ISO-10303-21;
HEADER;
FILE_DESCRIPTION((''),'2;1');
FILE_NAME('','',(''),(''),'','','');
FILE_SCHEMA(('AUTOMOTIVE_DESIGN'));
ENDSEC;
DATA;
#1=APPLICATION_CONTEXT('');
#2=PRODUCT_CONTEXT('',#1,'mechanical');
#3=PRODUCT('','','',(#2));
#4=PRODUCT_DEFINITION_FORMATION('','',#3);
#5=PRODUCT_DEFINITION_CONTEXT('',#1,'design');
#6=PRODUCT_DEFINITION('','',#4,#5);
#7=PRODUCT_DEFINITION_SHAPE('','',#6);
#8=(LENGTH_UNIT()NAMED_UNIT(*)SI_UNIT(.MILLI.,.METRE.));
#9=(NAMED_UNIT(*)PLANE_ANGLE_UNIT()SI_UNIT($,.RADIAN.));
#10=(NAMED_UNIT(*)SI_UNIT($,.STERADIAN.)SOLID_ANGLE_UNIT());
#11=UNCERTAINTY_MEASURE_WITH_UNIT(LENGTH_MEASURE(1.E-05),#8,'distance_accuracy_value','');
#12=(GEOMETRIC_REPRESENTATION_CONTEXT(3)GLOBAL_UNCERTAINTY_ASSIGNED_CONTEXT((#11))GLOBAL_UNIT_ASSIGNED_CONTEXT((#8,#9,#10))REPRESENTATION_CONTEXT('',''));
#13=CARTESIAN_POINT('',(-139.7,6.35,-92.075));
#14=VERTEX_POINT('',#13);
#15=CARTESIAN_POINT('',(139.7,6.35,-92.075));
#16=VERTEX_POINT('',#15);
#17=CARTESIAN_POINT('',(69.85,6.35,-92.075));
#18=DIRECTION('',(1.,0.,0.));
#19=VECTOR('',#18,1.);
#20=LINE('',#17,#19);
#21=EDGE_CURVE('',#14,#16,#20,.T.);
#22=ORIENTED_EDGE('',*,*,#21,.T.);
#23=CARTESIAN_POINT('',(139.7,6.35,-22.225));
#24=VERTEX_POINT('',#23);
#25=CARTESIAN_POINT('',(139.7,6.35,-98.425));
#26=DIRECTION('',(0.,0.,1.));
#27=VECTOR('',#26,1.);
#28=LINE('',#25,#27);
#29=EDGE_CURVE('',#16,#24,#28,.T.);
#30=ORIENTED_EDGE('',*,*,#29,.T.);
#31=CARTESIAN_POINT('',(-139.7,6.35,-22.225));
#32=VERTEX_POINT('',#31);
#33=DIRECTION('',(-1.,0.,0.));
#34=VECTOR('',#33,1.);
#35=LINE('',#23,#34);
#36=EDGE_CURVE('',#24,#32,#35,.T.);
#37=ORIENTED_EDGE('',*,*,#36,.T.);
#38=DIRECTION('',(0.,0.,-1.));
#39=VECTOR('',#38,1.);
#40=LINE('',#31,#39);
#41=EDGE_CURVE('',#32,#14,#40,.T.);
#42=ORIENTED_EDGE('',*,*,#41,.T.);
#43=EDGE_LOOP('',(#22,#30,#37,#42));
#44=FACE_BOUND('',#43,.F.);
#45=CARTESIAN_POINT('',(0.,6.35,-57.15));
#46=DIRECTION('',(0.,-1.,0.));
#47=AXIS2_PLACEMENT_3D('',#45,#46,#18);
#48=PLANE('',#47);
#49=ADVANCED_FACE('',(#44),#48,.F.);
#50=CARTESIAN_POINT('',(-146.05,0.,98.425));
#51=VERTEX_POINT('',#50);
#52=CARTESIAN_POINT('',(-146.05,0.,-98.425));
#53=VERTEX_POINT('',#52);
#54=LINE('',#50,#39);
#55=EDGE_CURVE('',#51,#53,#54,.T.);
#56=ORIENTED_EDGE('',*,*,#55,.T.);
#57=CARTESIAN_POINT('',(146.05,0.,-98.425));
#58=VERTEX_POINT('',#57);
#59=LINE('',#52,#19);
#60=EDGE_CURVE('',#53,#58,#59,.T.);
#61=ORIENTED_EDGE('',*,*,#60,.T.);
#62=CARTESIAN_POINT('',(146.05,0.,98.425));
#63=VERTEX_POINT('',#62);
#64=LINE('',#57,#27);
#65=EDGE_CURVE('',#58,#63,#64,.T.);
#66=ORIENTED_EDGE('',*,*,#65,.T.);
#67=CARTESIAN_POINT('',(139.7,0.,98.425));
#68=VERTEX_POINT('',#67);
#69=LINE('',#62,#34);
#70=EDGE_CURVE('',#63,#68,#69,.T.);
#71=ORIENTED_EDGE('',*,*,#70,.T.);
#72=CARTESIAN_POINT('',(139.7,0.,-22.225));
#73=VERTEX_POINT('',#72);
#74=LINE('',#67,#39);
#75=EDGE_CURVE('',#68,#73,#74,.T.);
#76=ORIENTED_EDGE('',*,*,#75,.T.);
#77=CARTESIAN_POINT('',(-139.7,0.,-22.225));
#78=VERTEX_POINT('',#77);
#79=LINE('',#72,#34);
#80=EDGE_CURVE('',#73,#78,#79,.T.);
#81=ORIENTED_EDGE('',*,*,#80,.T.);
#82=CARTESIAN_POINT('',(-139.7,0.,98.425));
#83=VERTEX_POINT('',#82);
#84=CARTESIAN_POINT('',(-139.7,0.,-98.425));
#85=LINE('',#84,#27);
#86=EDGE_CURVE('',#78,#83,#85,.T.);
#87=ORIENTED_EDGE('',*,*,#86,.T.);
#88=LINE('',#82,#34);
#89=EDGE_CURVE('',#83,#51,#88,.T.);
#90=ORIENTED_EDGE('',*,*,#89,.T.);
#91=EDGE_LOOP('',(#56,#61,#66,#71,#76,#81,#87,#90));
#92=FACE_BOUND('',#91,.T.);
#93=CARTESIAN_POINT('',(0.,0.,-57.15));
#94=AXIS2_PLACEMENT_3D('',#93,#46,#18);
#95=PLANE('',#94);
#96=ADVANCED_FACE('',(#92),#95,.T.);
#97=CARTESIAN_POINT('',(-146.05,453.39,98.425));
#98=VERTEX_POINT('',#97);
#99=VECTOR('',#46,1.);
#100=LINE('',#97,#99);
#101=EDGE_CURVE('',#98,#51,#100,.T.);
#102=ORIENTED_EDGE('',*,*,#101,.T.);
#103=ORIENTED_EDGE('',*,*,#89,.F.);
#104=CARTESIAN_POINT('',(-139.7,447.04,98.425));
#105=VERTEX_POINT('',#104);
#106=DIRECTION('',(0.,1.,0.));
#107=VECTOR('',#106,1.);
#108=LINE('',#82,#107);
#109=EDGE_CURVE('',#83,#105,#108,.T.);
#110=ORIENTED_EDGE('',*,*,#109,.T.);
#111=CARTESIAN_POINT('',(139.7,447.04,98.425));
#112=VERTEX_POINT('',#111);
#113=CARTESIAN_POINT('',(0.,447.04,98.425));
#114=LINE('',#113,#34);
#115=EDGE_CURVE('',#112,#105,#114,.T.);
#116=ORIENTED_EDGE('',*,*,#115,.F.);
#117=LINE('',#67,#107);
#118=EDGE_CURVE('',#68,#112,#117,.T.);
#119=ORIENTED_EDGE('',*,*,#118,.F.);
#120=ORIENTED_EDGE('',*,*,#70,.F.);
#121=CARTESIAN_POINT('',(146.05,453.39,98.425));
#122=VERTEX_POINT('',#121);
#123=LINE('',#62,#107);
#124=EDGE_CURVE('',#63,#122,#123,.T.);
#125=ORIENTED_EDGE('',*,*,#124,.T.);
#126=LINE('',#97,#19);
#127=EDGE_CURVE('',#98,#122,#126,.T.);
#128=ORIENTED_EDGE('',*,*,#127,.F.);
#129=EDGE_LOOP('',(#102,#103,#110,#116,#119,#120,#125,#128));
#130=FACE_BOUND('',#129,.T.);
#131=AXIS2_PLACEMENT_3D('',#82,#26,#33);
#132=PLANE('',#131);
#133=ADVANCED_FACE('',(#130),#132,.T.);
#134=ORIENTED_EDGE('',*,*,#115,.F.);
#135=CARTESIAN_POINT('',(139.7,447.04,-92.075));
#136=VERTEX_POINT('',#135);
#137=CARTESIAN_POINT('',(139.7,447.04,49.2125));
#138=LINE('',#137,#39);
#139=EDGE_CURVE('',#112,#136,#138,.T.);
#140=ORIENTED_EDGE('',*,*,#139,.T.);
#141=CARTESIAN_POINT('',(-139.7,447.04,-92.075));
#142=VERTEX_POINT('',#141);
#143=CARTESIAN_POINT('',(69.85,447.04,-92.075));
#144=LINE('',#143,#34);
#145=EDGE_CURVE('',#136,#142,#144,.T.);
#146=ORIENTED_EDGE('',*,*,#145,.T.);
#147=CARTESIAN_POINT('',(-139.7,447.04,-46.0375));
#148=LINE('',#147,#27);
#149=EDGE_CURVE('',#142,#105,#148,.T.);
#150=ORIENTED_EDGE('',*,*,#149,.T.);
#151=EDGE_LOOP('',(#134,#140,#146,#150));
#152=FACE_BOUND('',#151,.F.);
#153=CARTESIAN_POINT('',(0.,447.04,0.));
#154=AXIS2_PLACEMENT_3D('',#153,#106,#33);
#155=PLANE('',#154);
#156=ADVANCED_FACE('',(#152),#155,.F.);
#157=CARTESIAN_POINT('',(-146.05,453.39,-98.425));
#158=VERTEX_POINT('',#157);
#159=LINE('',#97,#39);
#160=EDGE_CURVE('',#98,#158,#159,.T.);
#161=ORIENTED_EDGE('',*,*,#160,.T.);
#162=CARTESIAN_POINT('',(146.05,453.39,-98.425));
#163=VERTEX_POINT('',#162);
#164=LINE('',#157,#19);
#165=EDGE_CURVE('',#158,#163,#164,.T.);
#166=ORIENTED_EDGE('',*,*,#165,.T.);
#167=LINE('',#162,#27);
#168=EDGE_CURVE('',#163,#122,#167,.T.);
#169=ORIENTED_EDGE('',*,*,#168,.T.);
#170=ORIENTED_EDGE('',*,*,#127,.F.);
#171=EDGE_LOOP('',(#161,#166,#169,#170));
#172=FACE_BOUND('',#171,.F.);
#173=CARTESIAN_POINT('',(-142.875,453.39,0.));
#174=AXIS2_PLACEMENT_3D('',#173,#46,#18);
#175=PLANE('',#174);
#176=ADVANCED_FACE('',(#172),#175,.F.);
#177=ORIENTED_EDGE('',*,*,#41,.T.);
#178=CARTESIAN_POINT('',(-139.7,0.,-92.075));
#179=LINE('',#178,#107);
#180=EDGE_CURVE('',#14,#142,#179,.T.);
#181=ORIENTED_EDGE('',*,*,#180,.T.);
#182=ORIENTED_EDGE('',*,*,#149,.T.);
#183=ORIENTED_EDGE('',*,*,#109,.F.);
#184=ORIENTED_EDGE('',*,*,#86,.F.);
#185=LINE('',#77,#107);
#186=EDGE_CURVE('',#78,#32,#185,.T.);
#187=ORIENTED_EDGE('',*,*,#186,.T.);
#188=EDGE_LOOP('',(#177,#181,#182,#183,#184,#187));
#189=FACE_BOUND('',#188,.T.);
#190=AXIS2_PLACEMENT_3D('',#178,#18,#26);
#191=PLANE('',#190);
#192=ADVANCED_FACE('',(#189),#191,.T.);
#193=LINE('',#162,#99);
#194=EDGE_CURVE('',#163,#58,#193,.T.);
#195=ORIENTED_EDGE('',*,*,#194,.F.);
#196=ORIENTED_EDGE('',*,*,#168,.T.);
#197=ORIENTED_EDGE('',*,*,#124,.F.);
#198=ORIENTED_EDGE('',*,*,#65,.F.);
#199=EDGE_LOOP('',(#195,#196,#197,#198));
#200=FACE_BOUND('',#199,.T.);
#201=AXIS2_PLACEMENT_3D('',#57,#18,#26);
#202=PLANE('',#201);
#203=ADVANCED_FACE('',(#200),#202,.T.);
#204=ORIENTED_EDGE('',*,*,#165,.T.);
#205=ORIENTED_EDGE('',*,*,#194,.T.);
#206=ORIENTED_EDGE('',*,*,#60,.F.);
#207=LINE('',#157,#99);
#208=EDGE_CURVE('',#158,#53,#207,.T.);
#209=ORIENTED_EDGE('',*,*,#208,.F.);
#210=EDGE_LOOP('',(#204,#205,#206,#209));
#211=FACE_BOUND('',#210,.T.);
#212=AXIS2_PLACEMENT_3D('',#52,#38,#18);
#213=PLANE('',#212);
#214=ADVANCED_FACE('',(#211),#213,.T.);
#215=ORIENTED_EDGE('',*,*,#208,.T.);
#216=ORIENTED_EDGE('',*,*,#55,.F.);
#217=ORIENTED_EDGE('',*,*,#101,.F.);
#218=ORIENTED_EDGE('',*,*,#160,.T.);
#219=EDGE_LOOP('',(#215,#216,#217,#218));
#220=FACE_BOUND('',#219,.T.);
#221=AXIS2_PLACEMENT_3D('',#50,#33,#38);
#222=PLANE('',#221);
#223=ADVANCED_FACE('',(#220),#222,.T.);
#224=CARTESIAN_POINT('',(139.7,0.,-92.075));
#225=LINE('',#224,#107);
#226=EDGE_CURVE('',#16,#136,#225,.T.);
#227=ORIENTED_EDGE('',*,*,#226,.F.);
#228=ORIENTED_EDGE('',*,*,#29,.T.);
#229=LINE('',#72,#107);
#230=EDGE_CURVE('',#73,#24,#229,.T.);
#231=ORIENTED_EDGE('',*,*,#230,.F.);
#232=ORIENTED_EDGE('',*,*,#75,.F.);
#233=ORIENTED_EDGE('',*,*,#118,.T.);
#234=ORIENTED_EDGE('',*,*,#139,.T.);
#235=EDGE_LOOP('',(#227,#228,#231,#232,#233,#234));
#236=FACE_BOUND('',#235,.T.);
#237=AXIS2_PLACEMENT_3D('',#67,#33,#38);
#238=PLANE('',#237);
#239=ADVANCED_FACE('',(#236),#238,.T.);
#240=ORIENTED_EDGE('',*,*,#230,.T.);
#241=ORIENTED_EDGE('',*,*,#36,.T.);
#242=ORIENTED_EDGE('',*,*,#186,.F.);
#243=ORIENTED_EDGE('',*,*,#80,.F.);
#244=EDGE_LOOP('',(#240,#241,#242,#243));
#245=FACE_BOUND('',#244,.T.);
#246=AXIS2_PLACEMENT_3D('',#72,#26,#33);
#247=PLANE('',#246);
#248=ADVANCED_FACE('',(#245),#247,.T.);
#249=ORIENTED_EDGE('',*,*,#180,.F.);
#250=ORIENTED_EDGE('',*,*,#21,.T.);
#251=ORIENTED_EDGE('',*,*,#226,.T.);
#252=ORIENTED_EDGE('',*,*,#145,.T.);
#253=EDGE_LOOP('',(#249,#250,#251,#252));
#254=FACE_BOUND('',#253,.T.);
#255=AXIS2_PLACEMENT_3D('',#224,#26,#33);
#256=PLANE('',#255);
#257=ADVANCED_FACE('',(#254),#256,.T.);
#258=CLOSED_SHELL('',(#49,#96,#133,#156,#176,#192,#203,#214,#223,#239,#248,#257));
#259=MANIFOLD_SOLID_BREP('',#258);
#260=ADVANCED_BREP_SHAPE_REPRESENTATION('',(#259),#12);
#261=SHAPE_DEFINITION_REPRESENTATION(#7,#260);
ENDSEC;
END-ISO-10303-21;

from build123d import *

# Parameters (mm, degrees)
F0_W     = 50.8
F0_H     = 6.35
F0_W_2   = 177.8
F1_DEPTH = 453.39
F2_DEPTH = 6.35
F3_W     = 292.1
F3_H     = 196.85
F4_DEPTH = 6.35


with BuildPart() as f1:
    # F0 (on Front) → F1 (new body)
    with BuildSketch(Plane.XZ):
        Polygon((-139.7, -92.075), (-139.7, -22.225), (-139.7, 98.425), (-146.05, 98.425), (-146.05, -98.425), (-139.7, -98.425), align=None)
        with Locations((-114.3, -95.25)):
            Rectangle(F0_W, F0_H)
        with Locations((114.3, -95.25)):
            Rectangle(F0_W, F0_H)
        Polygon((146.05, -98.425), (146.05, 98.425), (139.7, 98.425), (139.7, -22.225), (139.7, -92.075), (139.7, -98.425), align=None)
        with Locations((0, -95.25)):
            Rectangle(F0_W_2, F0_H)
    extrude(amount=-F1_DEPTH)

    # F0 (on Front) → F2 (join)
    with BuildSketch(Plane.XZ):
        Polygon((139.7, -92.075), (139.7, -22.225), (-139.7, -22.225), (-139.7, -92.075), (-88.9, -92.075), (88.9, -92.075), align=None)
        with Locations((0, -95.25)):
            Rectangle(F0_W_2, F0_H)
        with Locations((-114.3, -95.25)):
            Rectangle(F0_W, F0_H)
        with Locations((114.3, -95.25)):
            Rectangle(F0_W, F0_H)
    extrude(amount=-F2_DEPTH)

    # F3 (on face) → F4 (join)
    with BuildSketch(Plane(origin=(0, 453.39, 0), x_dir=(-1, 0, 0), z_dir=(0, 1, 0))):
        Rectangle(F3_W, F3_H)
    extrude(amount=-F4_DEPTH)


solid = f1.part
